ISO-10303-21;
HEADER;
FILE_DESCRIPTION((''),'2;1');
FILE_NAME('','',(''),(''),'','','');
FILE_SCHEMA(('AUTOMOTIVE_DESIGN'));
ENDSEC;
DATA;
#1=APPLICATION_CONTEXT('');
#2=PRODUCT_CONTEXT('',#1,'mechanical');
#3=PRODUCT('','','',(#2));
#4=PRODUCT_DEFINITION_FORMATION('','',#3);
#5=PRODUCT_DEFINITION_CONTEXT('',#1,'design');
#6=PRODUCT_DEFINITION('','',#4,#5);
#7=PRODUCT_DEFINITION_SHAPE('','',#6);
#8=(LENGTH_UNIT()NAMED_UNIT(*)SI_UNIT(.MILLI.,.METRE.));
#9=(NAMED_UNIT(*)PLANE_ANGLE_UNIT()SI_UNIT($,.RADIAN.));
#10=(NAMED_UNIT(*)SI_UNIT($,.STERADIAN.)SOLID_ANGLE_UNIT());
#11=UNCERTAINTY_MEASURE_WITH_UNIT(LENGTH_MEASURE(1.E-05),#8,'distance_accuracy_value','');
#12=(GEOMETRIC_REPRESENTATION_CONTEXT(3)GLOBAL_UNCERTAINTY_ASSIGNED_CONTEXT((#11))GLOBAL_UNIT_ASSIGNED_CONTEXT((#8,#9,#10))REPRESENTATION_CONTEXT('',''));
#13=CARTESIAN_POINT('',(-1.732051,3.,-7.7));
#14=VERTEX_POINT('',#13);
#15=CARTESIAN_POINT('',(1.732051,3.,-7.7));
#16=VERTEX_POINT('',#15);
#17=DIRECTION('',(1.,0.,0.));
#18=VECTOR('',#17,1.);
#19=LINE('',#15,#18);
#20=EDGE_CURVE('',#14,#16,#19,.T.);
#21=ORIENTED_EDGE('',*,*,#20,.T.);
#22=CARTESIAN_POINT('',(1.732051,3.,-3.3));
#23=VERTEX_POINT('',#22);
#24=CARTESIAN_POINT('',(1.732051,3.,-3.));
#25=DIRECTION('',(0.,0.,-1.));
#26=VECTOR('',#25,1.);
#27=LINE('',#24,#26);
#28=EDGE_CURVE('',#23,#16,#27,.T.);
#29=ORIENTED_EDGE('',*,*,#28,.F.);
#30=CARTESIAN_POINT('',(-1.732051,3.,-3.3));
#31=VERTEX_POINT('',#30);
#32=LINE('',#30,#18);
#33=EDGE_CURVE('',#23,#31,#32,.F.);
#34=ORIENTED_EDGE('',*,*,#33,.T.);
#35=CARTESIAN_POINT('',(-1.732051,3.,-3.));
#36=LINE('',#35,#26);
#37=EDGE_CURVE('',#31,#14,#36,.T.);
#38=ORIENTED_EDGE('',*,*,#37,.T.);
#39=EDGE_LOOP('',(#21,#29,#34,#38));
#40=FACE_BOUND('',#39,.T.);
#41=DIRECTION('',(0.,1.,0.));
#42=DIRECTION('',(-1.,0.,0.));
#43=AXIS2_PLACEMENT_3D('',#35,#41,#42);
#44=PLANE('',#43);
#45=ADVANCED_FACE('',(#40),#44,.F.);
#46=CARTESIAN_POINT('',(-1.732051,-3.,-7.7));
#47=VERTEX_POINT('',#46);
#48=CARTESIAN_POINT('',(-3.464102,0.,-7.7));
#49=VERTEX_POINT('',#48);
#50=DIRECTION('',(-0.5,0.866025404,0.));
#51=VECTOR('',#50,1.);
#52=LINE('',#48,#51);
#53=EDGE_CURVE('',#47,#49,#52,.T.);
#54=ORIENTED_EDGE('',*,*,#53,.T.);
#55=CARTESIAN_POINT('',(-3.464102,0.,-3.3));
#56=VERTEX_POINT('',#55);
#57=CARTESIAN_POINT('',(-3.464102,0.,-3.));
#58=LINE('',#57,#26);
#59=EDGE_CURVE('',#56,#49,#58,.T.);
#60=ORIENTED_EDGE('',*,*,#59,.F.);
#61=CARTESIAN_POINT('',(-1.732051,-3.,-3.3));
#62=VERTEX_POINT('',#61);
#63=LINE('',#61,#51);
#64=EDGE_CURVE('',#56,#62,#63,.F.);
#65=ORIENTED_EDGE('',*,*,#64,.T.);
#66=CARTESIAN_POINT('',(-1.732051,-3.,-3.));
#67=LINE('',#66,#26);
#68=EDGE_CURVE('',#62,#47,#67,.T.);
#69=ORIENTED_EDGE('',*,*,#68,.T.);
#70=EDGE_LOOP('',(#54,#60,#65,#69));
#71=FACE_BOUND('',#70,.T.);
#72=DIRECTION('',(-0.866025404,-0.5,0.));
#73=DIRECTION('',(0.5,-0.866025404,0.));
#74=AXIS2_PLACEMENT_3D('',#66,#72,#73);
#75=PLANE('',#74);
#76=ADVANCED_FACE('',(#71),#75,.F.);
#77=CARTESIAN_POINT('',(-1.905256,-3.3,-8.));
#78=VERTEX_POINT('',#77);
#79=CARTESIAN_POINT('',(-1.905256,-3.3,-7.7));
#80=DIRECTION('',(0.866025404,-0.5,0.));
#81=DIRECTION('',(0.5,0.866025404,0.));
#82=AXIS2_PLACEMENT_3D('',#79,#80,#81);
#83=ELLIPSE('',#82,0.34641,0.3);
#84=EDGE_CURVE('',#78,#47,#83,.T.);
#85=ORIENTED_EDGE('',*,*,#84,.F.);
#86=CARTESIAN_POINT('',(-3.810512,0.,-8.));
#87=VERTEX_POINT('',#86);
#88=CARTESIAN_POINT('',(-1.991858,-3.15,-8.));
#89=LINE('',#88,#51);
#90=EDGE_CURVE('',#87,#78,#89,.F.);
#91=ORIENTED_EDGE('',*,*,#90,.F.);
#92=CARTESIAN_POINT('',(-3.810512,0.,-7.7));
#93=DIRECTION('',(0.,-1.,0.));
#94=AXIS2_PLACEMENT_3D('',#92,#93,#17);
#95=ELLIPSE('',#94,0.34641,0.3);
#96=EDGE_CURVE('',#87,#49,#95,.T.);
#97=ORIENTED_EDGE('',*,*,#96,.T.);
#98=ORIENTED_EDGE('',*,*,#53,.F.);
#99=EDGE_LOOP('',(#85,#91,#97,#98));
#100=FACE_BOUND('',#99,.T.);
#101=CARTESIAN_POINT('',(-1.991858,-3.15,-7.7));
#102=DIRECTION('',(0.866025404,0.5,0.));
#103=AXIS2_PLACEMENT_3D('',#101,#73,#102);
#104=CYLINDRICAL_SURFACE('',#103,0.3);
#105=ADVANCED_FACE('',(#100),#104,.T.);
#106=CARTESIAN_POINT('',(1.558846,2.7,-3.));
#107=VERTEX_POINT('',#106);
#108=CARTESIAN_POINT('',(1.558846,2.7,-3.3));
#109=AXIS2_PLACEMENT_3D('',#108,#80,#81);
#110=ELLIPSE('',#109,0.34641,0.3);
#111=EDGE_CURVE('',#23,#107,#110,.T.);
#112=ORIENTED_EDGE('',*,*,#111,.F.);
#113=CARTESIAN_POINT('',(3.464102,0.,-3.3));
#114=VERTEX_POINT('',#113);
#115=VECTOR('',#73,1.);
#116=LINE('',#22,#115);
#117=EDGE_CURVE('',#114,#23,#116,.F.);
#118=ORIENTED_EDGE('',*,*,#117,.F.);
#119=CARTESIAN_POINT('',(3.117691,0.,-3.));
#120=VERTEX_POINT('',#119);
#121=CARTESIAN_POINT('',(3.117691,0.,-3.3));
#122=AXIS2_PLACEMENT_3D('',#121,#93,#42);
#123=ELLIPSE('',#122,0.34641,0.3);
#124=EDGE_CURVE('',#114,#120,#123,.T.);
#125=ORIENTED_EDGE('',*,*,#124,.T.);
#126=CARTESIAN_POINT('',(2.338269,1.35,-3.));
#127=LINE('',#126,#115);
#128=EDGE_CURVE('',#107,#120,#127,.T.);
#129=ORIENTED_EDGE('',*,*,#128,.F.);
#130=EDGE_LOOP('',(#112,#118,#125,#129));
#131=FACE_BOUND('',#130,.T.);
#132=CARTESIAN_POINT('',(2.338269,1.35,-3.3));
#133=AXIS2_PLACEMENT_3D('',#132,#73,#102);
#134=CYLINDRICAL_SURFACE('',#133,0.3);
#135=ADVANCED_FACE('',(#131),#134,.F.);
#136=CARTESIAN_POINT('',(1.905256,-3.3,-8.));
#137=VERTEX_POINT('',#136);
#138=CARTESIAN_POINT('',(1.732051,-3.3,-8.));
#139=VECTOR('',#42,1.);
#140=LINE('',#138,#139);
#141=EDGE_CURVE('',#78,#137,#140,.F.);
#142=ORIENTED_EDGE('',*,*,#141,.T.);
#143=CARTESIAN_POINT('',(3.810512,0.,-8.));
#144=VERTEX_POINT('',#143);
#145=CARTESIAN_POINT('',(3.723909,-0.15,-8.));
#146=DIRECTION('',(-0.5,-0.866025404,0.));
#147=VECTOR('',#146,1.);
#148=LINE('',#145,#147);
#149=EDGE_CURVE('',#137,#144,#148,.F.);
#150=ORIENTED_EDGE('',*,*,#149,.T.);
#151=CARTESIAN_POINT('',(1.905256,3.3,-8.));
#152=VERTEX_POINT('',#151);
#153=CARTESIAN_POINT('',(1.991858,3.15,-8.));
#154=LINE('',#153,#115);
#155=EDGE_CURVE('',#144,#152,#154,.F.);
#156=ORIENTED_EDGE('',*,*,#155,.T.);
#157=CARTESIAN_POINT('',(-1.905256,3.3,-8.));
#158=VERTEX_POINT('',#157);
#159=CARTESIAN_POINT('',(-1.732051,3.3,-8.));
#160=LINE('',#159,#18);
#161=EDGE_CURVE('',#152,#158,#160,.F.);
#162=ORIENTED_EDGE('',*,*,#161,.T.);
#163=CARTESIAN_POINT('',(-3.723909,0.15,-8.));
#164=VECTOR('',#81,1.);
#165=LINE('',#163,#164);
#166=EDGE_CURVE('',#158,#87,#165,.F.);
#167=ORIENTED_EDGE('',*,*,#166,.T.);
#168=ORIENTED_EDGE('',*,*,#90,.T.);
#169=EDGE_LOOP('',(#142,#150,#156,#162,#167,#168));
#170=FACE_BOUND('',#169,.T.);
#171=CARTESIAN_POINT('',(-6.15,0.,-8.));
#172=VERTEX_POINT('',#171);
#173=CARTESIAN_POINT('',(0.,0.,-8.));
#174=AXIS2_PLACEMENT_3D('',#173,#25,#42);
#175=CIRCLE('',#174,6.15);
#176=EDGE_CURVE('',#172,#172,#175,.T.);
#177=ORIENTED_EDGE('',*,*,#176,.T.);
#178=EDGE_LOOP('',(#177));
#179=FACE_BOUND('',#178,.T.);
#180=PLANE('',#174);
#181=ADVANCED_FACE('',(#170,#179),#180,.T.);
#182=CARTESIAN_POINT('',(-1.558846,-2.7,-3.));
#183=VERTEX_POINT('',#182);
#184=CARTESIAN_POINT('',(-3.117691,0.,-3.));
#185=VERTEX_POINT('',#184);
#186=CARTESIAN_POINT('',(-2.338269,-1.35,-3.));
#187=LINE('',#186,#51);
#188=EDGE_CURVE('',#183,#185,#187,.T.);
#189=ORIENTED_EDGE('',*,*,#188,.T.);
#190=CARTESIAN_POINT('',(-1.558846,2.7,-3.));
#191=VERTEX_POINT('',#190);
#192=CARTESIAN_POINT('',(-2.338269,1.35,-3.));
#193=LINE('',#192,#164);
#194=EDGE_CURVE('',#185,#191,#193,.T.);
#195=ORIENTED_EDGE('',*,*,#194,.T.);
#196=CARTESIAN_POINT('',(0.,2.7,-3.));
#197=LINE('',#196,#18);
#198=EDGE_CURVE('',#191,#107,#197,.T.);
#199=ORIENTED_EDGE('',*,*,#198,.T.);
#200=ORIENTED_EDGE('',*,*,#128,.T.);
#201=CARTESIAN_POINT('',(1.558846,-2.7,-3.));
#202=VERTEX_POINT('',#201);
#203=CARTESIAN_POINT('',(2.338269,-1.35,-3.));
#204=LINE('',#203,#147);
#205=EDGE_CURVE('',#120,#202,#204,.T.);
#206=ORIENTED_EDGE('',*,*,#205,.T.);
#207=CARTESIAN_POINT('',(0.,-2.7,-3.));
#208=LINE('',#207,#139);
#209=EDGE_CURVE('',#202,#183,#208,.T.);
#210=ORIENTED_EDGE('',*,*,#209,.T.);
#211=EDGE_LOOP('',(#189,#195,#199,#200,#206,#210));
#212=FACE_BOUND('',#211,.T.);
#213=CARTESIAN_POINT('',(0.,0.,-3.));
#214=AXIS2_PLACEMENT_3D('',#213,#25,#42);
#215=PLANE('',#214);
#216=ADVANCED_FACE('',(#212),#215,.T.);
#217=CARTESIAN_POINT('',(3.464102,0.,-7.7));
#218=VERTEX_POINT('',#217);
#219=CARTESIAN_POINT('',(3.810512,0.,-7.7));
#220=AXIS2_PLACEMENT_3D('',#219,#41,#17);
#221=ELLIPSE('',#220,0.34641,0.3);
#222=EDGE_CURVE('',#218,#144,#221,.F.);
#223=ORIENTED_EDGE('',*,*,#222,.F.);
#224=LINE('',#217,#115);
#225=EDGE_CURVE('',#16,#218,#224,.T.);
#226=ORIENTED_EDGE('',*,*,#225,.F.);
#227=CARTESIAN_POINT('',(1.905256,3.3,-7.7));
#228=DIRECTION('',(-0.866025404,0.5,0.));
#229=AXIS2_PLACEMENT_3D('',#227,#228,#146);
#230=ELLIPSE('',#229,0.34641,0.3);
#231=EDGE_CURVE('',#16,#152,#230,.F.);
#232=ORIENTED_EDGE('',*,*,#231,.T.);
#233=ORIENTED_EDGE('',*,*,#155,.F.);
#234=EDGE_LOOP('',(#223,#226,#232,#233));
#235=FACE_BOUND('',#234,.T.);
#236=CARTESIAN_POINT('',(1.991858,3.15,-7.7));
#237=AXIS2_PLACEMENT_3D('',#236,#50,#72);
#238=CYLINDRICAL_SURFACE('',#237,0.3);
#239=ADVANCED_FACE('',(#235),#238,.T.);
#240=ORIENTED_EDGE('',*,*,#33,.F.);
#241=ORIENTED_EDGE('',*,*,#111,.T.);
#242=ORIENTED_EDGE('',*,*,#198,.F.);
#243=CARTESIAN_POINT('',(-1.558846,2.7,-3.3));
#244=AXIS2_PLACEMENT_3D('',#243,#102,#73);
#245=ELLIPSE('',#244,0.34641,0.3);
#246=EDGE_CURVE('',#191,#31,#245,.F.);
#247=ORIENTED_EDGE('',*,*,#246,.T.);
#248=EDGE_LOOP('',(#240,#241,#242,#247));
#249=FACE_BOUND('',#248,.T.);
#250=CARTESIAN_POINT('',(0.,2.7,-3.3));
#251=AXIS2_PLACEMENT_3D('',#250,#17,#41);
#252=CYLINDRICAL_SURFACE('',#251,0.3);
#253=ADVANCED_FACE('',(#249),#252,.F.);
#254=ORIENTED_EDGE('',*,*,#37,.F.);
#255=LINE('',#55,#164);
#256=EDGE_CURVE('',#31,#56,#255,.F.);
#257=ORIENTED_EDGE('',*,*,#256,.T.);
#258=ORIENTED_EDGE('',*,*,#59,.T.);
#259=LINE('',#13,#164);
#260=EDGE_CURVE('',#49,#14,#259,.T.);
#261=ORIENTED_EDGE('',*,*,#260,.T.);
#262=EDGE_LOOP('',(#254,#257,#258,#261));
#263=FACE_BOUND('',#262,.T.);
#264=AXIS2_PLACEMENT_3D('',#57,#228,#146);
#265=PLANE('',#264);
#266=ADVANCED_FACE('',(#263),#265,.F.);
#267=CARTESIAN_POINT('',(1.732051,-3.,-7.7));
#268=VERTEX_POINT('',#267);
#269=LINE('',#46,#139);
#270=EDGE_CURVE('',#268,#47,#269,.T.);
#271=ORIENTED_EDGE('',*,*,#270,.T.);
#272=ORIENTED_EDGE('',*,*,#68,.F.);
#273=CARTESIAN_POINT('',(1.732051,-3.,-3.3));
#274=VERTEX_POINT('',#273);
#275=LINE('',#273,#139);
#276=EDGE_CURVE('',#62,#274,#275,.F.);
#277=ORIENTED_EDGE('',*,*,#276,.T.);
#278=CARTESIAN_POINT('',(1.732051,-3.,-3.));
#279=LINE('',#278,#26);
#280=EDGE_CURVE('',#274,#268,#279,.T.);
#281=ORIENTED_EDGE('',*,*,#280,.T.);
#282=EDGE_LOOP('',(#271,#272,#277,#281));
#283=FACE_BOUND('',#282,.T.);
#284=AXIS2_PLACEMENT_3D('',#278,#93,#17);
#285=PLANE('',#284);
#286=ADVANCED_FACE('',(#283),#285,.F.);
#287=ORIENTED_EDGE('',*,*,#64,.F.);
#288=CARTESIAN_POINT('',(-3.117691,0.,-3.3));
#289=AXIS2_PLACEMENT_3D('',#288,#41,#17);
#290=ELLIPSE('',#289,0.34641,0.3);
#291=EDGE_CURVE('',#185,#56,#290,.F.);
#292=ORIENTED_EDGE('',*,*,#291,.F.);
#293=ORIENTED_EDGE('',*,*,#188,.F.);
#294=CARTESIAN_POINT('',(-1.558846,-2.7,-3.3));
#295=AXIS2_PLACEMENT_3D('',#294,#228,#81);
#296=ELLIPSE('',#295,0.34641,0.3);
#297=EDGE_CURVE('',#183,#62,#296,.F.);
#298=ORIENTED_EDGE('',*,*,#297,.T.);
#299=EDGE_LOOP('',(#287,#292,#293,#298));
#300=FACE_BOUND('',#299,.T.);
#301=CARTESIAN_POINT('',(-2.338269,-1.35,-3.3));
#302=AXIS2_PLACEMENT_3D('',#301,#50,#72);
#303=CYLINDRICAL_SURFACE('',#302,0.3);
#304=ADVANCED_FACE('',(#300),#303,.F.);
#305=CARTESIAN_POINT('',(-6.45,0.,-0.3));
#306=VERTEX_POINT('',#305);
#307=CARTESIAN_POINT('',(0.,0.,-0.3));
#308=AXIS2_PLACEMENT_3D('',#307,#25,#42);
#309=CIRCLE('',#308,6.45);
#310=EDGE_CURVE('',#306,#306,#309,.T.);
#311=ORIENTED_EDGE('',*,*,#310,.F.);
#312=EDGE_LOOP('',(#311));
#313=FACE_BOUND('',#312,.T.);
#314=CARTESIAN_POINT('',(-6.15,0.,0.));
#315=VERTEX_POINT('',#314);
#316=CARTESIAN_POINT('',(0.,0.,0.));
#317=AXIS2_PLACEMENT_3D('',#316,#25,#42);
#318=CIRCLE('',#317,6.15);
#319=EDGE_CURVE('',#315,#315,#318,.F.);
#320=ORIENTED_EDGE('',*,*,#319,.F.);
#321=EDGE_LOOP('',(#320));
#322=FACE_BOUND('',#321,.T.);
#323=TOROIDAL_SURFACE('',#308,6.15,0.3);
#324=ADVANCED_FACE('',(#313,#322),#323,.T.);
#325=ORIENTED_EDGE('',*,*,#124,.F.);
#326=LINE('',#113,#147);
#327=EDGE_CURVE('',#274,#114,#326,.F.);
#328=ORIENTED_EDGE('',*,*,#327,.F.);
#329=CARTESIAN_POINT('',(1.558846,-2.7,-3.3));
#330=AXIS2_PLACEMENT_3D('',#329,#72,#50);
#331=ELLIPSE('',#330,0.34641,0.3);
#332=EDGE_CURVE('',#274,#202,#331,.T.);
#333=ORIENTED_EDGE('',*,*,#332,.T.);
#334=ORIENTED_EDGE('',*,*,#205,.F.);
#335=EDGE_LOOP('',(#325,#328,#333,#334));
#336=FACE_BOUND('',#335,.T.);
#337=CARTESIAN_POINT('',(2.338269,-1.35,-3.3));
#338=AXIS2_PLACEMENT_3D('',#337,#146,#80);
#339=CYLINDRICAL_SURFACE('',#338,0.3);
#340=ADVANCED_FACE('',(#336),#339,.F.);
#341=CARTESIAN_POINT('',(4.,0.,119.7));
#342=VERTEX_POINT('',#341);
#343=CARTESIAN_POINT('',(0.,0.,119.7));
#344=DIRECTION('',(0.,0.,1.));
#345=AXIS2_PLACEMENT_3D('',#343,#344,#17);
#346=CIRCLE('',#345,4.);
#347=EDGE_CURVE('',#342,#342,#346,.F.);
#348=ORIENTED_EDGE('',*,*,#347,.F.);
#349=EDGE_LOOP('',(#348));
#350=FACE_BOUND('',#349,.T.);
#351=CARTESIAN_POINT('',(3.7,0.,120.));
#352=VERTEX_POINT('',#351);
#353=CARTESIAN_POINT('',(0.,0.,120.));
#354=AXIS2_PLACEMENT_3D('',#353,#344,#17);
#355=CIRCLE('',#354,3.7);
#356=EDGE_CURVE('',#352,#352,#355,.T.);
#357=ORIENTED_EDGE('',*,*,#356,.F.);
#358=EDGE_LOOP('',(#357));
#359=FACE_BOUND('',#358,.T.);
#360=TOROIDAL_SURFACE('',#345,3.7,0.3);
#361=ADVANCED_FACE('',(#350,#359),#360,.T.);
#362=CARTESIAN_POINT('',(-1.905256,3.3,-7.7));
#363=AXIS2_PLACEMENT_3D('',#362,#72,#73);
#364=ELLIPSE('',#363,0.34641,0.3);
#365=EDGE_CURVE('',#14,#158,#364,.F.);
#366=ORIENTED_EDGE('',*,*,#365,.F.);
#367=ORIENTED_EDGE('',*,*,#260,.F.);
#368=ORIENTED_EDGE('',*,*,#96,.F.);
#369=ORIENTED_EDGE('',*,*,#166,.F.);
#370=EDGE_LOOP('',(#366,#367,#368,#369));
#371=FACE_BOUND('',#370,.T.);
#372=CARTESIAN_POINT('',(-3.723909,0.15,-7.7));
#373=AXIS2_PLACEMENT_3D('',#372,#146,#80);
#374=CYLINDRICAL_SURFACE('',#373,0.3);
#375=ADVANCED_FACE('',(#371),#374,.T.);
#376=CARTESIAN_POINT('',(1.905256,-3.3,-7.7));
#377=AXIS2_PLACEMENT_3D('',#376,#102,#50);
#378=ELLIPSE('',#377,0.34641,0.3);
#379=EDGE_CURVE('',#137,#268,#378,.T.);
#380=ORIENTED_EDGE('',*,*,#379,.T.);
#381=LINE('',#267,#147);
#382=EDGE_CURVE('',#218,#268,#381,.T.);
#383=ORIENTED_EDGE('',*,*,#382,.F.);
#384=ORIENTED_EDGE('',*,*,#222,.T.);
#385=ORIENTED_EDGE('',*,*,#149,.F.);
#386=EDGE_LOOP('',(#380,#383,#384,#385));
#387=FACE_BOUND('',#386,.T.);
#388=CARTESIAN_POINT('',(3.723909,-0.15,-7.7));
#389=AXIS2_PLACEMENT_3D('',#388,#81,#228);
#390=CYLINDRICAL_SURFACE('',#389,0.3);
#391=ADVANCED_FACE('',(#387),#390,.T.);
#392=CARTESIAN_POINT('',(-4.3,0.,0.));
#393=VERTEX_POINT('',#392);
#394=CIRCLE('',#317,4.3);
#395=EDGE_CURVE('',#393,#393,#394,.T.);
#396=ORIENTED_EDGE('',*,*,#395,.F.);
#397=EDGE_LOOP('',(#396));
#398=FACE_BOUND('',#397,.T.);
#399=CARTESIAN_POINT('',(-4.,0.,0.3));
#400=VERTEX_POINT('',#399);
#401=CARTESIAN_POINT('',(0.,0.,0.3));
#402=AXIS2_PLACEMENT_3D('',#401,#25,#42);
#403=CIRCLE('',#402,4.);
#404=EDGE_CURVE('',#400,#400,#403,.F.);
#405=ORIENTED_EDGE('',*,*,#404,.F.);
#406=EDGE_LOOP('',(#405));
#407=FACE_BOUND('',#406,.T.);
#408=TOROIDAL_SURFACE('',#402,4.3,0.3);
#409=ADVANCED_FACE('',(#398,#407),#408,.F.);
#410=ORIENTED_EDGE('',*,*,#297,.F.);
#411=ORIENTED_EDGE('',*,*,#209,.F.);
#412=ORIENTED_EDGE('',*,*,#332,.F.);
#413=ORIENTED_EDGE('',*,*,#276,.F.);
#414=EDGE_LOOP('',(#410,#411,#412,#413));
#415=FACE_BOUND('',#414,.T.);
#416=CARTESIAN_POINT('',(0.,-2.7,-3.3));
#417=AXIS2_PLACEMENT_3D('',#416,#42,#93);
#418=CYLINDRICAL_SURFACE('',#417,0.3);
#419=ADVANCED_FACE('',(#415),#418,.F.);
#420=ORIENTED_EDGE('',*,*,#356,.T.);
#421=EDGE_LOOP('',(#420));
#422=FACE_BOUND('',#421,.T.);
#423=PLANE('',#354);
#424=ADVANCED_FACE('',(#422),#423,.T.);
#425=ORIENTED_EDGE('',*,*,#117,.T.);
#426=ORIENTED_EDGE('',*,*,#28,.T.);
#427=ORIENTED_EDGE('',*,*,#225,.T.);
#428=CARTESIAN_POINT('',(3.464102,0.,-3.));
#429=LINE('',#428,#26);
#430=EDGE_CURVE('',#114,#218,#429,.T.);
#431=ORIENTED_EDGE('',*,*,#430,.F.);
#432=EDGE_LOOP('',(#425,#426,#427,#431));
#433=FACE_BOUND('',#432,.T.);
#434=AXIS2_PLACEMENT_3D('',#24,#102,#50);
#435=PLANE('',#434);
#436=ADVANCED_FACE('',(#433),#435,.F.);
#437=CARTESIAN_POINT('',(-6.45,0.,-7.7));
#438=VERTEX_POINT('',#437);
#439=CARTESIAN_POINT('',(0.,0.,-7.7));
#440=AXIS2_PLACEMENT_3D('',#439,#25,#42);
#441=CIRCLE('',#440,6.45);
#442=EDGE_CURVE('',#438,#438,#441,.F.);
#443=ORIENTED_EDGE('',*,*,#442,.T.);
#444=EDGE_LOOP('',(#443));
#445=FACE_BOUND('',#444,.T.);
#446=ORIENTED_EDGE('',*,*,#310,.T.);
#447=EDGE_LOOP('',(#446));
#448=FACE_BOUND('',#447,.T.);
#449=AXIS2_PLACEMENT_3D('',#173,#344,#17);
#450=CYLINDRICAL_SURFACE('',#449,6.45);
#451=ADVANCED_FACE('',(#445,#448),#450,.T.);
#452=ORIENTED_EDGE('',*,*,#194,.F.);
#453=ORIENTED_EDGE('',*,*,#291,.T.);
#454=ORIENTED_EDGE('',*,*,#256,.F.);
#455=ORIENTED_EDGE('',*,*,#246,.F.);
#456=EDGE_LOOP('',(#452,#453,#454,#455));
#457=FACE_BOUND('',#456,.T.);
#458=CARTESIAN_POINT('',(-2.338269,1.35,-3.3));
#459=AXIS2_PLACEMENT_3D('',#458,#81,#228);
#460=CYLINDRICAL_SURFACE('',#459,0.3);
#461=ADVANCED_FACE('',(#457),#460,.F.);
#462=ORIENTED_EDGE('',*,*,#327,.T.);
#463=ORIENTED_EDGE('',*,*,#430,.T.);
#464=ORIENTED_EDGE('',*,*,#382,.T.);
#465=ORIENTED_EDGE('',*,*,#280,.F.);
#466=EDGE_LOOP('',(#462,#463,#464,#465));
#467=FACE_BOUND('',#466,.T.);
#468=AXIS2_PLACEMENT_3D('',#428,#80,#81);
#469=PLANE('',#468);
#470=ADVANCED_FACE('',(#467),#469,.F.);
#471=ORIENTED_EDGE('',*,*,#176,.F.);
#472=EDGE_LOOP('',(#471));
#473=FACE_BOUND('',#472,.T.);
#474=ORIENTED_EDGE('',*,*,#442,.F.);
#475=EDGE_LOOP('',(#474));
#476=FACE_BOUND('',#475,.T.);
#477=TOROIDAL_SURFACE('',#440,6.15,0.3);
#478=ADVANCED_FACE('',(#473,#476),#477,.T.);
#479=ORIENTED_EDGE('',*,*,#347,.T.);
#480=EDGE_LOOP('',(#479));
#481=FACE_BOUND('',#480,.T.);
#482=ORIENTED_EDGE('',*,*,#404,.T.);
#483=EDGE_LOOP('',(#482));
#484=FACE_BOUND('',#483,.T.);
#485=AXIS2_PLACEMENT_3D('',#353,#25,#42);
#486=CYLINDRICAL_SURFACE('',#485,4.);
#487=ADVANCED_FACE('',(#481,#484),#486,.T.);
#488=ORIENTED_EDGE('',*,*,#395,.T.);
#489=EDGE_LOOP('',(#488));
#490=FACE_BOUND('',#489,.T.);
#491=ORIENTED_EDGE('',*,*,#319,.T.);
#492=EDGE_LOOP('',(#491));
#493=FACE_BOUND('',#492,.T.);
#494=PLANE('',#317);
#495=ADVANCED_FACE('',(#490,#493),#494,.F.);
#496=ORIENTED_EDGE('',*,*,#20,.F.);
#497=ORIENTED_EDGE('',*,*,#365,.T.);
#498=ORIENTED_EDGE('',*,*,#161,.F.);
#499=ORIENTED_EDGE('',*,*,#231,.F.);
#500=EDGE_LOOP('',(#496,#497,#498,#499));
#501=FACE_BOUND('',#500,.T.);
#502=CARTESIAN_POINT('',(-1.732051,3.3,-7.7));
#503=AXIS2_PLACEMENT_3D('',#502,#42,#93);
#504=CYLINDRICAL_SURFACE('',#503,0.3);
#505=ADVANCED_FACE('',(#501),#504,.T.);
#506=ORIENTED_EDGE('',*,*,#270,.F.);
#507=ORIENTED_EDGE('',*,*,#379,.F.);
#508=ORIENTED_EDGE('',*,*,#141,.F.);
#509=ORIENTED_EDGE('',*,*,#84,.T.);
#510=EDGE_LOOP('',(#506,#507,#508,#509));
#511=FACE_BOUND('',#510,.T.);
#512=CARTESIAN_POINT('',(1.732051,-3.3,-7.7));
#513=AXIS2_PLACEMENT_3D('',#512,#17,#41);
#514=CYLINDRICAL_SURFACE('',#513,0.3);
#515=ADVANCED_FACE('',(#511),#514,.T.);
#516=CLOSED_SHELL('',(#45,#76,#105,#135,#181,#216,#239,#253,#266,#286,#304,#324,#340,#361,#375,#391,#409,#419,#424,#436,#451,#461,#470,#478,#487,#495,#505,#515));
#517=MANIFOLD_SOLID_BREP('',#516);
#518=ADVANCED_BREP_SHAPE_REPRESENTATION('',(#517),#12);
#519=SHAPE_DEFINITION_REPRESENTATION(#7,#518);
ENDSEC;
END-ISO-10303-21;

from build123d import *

# Parameters (mm, degrees)
SKETCH_1_R          = 4
EXTRUDE_1_DEPTH     = 120
SKETCH_3_R          = 6.45
EXTRUDE_2_DEPTH     = 8
CUT_EXTRUDE_1_DEPTH = 5
FILLET_1_R          = 0.3


with BuildPart() as part:
    # Эскиз1 → Бобышка-Вытянуть1 (new body)
    with BuildSketch(Plane.XY):
        Circle(SKETCH_1_R)
    extrude(amount=EXTRUDE_1_DEPTH)

    # Эскиз3 → Бобышка-Вытянуть2 (add)
    with BuildSketch(Plane(origin=(0, 0, 0), x_dir=(-1, 0, 0), z_dir=(0, 0, -1))):
        Circle(SKETCH_3_R)
    extrude(amount=EXTRUDE_2_DEPTH)

    # Эскиз4 → Вырез-Вытянуть1 (cut)
    with BuildSketch(Plane(origin=(0, 0, -8), x_dir=(-1, 0, 0), z_dir=(0, 0, -1))):
        Polygon((-3.464101615, 0), (-1.732050808, -3), (1.732050808, -3), (3.464101615, 0), (1.732050808, 3), (-1.732050808, 3), align=None)
    extrude(amount=-CUT_EXTRUDE_1_DEPTH, mode=Mode.SUBTRACT)

    # Скругление1
    fillet_1_edges = [part.edges().sort_by_distance(p)[0] for p in [
        (2.598076211, 1.5, -3),
        (0, 3, -3),
        (-2.598076211, 1.5, -3),
        (-2.598076211, -1.5, -3),
        (0, -3, -3),
        (2.598076211, -1.5, -3),
        (2.598076211, 1.5, -8),
        (2.598076211, -1.5, -8),
        (0, -3, -8),
        (-2.598076211, -1.5, -8),
        (-2.598076211, 1.5, -8),
        (0, 3, -8),
        (-4, 0, 120),
        (-4, 0, 0),
        (6.45, 0, 0),
        (6.45, 0, -8),
    ]]
    fillet(fillet_1_edges, radius=FILLET_1_R)


solid = part.part
